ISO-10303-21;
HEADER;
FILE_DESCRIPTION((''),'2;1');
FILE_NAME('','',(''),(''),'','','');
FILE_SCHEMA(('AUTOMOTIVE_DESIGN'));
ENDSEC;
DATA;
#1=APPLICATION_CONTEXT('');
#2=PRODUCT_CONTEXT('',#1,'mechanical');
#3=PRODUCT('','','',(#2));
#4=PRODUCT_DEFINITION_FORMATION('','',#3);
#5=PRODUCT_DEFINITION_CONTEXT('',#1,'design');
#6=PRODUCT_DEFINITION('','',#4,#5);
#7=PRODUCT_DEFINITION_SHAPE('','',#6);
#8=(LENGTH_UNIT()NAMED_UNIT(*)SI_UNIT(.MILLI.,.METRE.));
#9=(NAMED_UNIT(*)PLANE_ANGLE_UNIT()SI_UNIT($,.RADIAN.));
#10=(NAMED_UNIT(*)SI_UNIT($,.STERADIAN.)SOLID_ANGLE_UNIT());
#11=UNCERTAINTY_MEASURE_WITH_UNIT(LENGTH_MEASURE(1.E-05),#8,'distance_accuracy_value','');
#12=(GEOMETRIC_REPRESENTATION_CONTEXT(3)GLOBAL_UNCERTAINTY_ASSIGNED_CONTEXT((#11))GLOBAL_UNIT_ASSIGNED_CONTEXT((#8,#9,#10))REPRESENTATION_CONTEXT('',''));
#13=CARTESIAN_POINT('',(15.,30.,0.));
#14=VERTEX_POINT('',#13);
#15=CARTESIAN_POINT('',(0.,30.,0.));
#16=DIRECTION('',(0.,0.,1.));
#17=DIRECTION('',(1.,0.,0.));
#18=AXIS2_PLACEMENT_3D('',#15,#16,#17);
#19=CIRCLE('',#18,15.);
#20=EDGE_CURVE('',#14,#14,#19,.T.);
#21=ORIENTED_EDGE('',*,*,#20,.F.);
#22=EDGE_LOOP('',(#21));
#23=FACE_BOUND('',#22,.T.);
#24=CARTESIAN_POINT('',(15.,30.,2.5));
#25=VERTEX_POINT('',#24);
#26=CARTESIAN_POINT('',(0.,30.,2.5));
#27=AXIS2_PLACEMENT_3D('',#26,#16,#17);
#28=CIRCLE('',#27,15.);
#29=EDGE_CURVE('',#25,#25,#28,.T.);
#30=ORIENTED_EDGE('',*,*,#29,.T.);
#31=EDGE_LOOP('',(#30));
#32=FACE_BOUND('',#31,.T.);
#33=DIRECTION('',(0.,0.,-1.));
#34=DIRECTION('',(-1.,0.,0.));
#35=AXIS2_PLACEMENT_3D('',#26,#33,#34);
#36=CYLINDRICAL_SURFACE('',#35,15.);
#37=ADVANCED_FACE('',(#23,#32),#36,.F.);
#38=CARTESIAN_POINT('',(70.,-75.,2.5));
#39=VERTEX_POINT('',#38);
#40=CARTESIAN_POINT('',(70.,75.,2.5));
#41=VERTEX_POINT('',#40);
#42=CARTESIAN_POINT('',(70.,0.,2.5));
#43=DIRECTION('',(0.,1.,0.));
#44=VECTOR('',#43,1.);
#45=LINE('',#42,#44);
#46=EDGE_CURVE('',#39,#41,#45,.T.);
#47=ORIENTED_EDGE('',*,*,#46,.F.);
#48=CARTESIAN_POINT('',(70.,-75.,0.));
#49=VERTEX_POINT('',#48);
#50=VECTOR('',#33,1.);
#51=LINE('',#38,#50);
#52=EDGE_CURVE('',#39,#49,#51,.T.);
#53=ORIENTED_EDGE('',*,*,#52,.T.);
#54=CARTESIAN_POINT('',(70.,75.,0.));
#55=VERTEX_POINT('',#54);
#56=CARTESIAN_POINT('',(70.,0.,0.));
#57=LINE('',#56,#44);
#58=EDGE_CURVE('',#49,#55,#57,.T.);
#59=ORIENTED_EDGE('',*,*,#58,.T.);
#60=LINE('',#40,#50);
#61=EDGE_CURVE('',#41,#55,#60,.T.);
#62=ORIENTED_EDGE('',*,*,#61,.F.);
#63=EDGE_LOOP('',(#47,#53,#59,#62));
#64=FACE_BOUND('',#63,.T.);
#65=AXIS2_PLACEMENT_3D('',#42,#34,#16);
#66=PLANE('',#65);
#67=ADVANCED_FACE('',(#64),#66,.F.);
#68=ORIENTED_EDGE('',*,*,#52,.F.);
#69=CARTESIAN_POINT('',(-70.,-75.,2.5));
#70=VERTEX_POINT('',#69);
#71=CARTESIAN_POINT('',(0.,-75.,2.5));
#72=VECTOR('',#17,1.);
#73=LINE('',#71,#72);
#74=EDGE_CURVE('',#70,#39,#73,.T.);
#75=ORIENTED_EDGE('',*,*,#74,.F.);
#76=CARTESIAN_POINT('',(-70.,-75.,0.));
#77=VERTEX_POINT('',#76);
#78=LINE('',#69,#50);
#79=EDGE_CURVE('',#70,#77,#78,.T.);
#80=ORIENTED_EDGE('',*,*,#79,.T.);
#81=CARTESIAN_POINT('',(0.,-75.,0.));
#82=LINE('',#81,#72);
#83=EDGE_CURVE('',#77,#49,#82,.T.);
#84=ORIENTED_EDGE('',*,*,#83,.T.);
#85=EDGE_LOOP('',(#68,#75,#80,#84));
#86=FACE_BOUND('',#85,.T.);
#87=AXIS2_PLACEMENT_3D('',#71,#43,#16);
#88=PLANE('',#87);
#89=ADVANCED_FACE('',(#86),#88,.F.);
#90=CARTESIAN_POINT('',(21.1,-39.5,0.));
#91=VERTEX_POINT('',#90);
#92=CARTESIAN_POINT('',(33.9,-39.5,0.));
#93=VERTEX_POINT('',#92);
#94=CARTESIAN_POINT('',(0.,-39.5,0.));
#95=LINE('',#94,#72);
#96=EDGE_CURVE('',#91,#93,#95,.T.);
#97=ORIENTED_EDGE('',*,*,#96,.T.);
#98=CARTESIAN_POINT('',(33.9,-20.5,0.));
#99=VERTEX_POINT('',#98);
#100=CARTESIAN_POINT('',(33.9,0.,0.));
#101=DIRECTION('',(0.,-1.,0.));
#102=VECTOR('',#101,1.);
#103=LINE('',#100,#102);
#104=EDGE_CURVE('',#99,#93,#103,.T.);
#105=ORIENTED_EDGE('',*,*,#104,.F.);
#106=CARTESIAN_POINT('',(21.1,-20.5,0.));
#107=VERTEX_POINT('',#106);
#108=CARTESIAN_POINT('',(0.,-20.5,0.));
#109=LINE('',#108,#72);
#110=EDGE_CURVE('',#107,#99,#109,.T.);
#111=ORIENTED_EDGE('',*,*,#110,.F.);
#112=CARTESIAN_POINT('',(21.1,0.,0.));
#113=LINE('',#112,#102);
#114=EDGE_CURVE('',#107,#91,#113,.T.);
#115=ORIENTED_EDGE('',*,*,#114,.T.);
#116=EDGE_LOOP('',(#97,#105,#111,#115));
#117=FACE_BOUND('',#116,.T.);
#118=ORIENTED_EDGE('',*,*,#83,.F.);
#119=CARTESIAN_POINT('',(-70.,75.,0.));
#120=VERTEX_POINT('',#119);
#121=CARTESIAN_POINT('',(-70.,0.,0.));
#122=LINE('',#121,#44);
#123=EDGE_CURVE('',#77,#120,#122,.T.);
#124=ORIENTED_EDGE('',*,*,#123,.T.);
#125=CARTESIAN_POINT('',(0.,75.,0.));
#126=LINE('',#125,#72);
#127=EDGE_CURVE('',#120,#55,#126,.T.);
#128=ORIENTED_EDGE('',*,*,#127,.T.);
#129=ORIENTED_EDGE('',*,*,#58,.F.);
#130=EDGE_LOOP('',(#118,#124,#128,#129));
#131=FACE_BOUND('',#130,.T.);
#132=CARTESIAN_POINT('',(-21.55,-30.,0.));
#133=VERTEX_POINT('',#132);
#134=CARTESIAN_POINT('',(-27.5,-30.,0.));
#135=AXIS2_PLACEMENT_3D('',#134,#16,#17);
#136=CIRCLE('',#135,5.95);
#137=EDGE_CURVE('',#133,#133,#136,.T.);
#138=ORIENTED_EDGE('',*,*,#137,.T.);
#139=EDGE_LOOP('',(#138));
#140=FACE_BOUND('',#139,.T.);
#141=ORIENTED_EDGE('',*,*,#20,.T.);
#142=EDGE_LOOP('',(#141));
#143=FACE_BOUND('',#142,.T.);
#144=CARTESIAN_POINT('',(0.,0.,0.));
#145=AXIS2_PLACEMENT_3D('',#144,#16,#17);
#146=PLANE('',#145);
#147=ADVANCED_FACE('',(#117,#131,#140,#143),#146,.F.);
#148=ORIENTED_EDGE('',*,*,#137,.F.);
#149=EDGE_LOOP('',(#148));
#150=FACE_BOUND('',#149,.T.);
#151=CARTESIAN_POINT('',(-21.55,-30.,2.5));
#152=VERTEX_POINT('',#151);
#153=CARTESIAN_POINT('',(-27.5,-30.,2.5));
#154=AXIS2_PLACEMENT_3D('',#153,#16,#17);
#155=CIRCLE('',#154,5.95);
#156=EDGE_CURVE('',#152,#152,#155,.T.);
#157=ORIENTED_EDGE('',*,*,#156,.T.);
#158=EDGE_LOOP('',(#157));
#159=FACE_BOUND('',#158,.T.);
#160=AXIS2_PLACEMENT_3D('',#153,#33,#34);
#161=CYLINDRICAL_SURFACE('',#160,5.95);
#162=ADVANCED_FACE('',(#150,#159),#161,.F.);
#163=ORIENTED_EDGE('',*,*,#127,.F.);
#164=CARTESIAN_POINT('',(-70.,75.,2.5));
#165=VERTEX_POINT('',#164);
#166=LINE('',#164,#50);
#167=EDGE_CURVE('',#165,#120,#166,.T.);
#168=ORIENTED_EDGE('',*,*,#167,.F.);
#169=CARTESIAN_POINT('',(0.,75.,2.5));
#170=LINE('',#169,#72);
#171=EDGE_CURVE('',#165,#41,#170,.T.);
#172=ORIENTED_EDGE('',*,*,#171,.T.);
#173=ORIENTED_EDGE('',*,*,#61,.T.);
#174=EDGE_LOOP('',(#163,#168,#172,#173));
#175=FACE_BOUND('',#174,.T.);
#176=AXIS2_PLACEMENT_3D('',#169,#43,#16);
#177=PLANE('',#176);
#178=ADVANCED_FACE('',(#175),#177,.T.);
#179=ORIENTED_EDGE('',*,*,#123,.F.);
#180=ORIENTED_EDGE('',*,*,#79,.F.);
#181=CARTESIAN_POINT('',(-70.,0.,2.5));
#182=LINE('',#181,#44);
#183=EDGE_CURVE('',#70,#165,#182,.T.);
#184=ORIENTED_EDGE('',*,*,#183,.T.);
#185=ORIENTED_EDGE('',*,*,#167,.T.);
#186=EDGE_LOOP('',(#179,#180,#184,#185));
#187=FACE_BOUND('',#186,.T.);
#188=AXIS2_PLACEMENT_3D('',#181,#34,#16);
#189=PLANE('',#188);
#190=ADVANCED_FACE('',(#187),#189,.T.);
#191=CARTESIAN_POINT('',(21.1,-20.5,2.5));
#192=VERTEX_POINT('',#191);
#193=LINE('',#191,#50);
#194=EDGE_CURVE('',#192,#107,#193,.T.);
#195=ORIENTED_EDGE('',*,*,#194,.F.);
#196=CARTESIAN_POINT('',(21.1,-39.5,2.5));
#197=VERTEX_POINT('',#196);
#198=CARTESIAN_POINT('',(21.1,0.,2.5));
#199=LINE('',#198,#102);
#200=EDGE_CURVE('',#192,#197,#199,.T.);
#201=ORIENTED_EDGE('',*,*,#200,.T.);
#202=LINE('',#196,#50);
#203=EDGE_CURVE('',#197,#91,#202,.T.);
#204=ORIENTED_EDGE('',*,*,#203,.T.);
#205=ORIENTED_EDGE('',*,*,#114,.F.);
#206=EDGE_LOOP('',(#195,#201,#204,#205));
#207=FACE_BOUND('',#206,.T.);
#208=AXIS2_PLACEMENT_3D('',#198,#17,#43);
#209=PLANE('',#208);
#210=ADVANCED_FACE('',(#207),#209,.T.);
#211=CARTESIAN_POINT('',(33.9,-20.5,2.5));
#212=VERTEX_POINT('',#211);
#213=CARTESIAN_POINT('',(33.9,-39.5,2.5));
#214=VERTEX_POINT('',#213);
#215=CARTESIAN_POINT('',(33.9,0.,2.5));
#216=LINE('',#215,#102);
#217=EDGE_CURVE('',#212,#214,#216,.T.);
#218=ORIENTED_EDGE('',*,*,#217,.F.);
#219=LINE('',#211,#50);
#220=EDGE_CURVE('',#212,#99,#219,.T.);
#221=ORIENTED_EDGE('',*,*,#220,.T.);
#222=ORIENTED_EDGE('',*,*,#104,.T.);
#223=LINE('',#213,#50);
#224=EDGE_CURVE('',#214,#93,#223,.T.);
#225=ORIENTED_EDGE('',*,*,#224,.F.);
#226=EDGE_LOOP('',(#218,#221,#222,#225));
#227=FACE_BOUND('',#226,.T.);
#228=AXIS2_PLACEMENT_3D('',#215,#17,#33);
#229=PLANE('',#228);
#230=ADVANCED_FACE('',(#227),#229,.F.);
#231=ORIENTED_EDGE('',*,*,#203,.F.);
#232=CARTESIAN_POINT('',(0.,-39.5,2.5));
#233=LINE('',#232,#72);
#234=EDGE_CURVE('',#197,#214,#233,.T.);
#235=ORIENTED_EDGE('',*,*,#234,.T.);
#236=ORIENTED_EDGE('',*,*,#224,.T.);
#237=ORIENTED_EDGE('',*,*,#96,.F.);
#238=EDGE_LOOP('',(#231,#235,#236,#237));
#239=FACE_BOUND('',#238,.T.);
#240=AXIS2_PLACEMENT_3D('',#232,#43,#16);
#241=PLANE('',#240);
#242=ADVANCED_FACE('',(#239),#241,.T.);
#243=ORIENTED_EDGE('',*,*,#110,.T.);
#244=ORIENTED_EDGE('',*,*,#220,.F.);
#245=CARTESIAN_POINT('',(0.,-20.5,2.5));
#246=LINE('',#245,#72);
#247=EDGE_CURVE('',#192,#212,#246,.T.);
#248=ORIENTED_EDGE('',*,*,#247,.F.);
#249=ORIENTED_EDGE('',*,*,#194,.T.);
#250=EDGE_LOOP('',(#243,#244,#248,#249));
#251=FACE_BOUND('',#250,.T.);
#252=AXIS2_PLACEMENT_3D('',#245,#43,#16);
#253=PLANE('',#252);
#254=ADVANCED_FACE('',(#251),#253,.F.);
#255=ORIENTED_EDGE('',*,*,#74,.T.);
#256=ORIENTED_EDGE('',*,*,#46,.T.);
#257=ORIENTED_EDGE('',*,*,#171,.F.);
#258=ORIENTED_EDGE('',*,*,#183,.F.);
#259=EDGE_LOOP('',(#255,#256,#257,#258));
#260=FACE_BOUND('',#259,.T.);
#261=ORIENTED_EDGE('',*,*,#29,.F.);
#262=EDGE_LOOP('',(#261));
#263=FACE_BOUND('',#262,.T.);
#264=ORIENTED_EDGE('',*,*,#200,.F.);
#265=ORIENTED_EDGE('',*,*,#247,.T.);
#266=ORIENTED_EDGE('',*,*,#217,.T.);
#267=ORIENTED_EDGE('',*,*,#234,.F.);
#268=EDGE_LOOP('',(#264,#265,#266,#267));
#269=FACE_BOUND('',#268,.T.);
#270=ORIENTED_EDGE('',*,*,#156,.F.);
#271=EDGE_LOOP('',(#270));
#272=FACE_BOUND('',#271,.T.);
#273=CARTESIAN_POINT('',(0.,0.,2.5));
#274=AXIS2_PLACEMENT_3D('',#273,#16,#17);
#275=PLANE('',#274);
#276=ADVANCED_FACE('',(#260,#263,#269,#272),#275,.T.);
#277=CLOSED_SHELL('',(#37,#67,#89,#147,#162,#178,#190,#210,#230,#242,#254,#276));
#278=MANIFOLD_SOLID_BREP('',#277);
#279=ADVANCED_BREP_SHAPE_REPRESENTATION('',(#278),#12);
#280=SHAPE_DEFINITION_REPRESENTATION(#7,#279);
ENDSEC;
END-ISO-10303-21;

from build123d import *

# Parameters (mm, degrees)
CROQUIS1_W              = 140
CROQUIS1_H              = 150
CROQUIS1_R              = 5.95
CROQUIS1_R_2            = 15
CROQUIS1_W_2            = 12.8
CROQUIS1_H_2            = 19
SALIENTE_EXTRUIR1_DEPTH = 2.5


with BuildPart() as part:
    # Croquis1 → Saliente-Extruir1 (new body)
    with BuildSketch(Plane.XY):
        Rectangle(CROQUIS1_W, CROQUIS1_H)
        with Locations((-27.5, -30)):
            Circle(CROQUIS1_R, mode=Mode.SUBTRACT)
        with Locations((0, 30)):
            Circle(CROQUIS1_R_2, mode=Mode.SUBTRACT)
        with Locations((27.5, -30)):
            Rectangle(CROQUIS1_W_2, CROQUIS1_H_2, mode=Mode.SUBTRACT)
    extrude(amount=SALIENTE_EXTRUIR1_DEPTH)


solid = part.part
